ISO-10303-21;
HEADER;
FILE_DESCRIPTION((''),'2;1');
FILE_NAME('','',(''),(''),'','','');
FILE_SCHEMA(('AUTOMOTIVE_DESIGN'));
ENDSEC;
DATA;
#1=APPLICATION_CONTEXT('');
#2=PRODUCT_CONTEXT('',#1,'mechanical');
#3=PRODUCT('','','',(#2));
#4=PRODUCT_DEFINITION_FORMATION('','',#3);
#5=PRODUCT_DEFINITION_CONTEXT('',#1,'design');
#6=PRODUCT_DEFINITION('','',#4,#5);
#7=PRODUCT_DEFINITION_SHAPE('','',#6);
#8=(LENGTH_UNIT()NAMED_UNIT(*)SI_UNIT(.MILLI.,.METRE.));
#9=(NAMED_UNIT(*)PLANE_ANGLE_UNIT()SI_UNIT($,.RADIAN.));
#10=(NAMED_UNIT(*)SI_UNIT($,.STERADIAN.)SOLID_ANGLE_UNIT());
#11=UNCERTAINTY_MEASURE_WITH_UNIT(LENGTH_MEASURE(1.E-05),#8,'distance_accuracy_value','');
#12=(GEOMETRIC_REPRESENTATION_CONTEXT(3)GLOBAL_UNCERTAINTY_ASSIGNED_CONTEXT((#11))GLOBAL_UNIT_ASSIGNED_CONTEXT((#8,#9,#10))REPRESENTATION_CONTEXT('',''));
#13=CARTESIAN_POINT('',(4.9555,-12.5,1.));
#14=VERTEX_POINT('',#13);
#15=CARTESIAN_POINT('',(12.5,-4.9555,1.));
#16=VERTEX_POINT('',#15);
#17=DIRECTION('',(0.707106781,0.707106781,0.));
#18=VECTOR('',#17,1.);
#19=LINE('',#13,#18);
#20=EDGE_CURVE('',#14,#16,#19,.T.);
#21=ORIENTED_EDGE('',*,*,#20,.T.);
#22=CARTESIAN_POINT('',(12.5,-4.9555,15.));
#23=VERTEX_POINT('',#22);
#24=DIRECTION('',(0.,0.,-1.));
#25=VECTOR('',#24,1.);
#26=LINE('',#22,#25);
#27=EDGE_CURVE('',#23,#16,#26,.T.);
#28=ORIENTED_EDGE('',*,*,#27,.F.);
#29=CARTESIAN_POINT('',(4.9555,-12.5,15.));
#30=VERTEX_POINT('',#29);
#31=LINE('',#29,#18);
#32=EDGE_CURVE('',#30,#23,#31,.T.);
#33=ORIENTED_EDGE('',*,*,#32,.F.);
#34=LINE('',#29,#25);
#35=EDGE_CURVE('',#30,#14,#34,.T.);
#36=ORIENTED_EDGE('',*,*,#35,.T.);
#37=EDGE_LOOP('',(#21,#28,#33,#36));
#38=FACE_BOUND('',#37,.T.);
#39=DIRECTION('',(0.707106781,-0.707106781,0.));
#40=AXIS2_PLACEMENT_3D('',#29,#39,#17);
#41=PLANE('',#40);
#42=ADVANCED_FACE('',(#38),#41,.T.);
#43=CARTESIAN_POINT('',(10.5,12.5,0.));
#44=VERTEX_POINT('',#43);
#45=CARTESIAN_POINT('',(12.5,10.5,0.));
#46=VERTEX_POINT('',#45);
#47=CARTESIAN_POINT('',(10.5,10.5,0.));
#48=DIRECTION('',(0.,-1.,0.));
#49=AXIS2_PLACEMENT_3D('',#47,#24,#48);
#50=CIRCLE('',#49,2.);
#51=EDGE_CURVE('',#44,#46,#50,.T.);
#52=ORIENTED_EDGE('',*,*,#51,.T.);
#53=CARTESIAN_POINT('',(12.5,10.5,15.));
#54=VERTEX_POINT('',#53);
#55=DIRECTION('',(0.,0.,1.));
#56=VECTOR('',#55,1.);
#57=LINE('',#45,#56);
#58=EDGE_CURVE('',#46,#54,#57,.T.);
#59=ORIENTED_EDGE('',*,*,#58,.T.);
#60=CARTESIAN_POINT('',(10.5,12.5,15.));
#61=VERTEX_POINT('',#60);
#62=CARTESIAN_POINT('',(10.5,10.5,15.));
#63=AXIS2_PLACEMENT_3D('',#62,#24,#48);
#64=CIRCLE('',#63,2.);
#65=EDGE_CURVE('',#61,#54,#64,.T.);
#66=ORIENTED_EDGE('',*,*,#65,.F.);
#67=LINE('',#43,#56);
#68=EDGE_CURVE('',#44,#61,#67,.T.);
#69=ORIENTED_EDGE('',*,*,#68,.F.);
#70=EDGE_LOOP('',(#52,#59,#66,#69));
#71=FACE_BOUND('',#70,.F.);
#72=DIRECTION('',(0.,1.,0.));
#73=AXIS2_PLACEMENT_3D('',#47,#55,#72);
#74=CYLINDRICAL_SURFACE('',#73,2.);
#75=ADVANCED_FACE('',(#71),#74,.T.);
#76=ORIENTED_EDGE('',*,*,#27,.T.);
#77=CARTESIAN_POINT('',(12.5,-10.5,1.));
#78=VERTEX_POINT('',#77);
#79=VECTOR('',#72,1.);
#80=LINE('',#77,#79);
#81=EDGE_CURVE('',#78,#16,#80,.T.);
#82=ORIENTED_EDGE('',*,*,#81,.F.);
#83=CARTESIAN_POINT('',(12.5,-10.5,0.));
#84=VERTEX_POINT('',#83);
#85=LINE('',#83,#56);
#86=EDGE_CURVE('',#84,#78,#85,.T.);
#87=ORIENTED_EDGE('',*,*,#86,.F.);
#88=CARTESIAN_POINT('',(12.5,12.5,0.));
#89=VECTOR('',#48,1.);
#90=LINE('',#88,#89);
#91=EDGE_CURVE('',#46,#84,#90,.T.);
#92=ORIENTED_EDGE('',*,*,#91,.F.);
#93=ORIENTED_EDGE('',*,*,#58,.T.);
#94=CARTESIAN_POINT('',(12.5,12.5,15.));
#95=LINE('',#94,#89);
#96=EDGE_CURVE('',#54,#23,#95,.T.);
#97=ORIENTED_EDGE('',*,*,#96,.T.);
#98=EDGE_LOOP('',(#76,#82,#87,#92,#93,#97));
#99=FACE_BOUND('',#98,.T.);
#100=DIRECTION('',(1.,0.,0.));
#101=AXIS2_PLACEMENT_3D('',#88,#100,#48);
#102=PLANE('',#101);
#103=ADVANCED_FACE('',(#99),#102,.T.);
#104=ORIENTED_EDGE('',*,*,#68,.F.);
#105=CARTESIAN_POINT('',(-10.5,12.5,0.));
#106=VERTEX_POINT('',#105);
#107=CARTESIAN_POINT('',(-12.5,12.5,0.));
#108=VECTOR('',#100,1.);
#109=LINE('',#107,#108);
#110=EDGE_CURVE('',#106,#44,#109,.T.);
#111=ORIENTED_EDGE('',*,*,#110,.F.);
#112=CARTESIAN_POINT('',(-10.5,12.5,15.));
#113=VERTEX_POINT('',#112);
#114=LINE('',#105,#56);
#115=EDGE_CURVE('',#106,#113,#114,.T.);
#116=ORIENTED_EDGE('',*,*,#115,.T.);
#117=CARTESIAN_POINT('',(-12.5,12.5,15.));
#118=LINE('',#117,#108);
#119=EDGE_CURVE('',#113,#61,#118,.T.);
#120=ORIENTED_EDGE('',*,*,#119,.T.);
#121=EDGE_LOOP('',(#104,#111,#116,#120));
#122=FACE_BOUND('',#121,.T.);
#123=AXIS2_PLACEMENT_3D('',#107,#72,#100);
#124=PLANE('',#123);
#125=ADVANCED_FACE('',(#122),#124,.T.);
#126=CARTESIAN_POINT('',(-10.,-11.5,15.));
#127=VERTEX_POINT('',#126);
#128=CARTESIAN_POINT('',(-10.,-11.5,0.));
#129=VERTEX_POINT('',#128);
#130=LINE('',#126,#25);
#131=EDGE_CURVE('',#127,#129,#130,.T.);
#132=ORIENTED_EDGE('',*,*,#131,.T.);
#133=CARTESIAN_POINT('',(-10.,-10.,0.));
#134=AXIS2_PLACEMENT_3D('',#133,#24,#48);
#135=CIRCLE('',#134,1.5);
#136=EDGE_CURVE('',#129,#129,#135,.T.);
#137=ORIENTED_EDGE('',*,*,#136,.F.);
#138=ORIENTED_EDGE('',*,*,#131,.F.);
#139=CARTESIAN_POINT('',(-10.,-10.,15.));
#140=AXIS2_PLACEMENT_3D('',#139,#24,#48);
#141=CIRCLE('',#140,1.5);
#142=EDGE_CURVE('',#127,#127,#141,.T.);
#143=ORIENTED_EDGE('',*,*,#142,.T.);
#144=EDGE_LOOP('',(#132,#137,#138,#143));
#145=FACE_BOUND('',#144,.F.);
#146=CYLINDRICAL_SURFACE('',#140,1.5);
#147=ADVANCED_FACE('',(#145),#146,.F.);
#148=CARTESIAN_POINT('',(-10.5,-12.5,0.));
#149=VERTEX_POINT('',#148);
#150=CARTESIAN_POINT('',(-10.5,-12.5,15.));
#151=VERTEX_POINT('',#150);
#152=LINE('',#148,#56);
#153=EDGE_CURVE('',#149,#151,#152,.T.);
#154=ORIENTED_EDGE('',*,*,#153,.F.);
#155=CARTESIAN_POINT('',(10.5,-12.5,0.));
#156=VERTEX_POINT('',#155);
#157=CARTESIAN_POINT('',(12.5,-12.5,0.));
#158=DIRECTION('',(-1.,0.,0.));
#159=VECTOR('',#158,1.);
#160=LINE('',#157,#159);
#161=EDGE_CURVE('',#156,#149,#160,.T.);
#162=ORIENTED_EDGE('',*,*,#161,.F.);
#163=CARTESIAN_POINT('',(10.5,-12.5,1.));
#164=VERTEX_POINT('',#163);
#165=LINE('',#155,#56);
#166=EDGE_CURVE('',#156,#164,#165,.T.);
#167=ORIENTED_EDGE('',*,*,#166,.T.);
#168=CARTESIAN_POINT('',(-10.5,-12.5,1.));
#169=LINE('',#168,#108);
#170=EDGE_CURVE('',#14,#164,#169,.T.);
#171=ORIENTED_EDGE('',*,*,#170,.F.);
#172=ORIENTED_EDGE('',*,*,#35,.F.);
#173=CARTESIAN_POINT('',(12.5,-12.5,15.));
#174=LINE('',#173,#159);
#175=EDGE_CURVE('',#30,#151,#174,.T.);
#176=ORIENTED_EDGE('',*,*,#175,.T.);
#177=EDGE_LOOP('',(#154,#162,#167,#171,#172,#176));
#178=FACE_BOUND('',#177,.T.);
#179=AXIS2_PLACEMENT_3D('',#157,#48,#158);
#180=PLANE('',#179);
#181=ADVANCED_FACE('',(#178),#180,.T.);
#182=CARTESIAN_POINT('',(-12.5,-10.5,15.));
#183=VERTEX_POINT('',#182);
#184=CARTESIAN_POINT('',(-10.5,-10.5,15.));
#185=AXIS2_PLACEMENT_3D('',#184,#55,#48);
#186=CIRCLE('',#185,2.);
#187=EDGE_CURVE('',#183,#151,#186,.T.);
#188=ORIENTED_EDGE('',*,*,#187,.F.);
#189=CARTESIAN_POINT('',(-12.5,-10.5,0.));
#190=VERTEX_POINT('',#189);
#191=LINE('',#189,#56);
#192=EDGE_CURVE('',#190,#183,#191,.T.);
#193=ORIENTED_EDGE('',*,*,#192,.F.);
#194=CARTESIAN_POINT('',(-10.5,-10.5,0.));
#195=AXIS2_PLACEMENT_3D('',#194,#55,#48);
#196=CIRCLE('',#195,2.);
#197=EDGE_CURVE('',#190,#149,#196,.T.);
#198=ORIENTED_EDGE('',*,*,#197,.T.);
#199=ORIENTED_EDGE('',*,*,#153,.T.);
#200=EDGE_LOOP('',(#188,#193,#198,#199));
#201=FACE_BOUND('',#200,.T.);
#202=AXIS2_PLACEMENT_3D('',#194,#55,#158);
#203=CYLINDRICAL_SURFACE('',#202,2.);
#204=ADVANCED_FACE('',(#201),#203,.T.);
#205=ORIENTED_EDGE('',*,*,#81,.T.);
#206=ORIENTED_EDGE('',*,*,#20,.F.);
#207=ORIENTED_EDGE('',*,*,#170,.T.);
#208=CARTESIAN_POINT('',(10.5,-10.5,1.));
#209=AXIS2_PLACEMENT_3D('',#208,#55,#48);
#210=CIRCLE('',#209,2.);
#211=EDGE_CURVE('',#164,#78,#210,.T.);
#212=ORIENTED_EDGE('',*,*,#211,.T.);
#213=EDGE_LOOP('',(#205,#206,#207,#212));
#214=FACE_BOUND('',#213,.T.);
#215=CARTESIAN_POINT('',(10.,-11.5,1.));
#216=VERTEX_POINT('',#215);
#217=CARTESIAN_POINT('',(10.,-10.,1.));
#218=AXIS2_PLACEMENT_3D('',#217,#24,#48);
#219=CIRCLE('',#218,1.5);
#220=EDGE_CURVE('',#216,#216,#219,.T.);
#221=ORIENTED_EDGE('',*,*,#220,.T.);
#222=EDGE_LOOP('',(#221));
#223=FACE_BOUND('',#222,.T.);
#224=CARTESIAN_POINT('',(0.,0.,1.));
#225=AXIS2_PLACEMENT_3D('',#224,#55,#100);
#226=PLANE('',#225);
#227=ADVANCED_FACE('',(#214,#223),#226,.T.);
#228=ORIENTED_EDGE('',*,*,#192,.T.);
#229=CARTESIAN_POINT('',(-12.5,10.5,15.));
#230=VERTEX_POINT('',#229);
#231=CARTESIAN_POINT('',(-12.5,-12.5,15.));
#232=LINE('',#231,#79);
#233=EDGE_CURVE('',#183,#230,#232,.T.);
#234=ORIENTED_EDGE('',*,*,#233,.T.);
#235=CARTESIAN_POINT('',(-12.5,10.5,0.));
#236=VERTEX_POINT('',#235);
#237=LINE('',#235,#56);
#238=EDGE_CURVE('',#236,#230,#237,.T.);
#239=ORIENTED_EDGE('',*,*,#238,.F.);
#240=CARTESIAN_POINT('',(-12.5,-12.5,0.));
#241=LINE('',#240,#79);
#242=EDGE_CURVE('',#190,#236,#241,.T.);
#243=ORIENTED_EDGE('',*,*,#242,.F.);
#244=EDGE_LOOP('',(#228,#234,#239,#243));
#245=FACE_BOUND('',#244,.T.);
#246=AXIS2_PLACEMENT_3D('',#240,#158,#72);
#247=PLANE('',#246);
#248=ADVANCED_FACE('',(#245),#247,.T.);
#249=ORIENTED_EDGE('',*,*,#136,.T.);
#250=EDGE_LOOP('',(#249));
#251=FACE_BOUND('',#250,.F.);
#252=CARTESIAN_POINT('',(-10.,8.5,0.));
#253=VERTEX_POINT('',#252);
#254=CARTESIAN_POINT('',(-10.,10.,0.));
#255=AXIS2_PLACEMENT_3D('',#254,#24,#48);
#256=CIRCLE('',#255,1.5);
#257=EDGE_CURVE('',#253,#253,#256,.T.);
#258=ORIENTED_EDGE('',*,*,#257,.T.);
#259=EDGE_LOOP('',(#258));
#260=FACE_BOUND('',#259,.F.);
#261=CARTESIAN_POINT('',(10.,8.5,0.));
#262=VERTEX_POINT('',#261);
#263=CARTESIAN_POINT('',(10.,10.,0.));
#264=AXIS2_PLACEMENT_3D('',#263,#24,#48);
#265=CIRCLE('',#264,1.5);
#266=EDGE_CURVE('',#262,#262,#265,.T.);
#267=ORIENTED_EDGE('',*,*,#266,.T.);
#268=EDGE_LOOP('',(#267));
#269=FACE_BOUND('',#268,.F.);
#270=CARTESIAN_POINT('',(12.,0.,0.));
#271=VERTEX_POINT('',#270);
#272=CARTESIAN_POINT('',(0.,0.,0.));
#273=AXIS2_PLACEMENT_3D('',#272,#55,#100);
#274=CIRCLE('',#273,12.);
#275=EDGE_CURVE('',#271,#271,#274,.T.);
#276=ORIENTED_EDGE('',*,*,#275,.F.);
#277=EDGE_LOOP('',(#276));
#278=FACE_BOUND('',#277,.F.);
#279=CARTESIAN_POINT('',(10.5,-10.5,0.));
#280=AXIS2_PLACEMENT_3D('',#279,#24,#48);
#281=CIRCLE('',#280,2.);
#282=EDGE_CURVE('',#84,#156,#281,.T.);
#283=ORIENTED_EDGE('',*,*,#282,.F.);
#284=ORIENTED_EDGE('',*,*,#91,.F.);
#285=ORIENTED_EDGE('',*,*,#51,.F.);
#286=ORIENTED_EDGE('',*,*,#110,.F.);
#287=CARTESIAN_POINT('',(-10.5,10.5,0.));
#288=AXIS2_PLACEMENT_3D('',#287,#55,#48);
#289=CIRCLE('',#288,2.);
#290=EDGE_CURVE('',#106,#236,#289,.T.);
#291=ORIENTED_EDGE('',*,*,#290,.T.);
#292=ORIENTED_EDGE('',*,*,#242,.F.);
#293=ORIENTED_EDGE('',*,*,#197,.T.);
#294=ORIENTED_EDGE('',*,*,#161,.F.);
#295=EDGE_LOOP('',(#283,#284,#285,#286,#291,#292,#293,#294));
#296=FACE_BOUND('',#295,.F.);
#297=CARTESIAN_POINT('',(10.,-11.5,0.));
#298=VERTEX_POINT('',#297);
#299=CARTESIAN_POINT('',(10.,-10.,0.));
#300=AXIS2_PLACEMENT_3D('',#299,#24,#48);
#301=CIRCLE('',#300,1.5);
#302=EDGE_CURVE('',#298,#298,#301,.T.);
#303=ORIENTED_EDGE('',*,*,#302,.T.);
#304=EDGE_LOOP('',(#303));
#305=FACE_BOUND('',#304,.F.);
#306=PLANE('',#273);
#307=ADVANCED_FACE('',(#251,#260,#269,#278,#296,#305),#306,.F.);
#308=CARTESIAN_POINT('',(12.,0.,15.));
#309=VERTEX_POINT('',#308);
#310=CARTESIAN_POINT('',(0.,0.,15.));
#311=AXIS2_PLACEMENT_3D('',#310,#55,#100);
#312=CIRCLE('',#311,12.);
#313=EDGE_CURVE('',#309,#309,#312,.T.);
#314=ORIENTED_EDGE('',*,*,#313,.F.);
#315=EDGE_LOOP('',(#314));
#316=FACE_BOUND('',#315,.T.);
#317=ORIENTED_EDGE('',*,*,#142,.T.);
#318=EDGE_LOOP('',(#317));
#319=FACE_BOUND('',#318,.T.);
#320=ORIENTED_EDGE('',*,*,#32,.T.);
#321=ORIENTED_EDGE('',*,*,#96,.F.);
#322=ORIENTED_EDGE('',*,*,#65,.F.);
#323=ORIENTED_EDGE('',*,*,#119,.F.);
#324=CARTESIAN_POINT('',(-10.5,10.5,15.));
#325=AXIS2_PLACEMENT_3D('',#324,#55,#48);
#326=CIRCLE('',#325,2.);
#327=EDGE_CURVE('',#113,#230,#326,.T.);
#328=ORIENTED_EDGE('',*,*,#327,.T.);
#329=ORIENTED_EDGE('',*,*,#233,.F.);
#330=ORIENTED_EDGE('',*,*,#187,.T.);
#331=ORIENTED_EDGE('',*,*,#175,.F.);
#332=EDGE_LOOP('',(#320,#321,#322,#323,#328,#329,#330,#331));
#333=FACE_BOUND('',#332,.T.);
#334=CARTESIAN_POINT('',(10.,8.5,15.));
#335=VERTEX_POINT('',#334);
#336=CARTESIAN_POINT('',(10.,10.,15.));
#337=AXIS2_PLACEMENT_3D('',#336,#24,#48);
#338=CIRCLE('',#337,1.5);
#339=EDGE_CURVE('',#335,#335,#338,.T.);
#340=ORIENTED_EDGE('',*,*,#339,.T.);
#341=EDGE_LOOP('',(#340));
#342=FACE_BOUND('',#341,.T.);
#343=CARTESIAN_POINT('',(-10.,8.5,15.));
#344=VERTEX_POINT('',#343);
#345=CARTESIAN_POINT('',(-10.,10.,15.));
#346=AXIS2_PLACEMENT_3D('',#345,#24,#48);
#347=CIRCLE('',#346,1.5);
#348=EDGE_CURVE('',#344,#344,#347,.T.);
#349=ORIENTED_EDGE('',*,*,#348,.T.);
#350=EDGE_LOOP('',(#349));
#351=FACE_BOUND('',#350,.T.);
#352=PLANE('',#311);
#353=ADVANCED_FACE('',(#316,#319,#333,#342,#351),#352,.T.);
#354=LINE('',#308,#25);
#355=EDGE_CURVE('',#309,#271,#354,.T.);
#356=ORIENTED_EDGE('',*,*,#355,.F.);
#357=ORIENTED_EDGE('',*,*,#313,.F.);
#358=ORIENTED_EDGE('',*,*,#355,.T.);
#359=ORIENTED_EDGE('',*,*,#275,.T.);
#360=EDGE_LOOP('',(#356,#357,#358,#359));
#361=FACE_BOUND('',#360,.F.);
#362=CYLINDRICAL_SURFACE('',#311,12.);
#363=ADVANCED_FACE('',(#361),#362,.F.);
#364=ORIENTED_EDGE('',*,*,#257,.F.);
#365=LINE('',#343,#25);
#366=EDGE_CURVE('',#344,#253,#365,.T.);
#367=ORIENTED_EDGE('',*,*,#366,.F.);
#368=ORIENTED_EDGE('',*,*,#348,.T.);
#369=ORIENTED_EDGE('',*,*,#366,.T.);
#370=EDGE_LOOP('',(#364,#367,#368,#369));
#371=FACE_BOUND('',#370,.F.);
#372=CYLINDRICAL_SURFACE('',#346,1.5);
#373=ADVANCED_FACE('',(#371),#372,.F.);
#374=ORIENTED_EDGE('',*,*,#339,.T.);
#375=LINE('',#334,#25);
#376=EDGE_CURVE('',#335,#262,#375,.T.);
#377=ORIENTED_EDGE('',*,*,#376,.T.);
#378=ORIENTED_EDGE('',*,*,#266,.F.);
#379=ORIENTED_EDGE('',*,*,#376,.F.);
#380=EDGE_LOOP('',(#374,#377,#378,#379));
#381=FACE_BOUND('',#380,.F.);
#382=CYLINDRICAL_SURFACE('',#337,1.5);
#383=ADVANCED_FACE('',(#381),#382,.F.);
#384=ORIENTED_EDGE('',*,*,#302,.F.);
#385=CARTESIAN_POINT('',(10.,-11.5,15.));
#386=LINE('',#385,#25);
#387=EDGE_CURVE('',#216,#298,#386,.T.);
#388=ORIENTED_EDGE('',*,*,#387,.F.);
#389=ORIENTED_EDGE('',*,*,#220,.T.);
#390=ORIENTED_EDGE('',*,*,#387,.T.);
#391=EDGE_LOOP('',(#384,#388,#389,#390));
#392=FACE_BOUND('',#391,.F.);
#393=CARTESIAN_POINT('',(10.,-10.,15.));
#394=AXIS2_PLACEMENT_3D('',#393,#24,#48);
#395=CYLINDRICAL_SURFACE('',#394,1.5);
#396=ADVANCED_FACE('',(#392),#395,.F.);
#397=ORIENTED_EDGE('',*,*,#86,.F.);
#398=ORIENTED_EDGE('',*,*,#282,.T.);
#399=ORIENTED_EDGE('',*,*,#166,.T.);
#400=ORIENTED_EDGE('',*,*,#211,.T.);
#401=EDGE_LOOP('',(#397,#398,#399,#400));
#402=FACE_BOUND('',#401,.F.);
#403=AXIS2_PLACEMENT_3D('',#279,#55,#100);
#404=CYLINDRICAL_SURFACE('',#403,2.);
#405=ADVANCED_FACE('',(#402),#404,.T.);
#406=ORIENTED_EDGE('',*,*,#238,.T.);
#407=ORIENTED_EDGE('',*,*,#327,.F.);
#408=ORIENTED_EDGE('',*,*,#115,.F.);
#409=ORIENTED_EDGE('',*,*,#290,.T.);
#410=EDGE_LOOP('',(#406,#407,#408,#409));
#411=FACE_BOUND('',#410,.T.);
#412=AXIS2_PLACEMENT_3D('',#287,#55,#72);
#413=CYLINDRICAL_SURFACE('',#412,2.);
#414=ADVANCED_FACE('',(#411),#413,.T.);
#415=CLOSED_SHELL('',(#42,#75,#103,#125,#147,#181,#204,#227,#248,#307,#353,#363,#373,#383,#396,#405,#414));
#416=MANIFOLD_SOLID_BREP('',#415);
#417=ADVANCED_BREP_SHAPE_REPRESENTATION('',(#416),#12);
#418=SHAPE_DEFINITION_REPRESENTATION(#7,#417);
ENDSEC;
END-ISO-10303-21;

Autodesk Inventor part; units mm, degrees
ref_plane "YZ Plane" through (0, 0, 0) normal (1, 0, 0) x (0, 1, 0)
ref_plane "XZ Plane" through (0, 0, 0) normal (0, 1, 0) x (-1, 0, 0)
ref_plane "XY Plane" through (0, 0, 0) normal (0, 0, 1) x (1, 0, 0)
sketch "Sketch1" plane through (0, 0, 0) normal (0, 0, 1) x (1, 0, 0)
  line L0 (-12.5, 12.5) -> (12.5, 12.5)
  line L1 (12.5, 12.5) -> (12.5, -12.5)
  line L2 (12.5, -12.5) -> (-12.5, -12.5)
  line L3 (-12.5, -12.5) -> (-12.5, 12.5)
  line L4 (-12.5, 12.5) -> (12.5, -12.5) construction
  line L5 (12.5, 12.5) -> (-12.5, -12.5) construction
  point P0 (0, 0)
  dimension "d0" = 25
  dimension "d1" = 25
extrude "Extrusion1" add sketch "Sketch1" along normal blind 15
sketch "Sketch2" plane through (0, 0, 15) normal (0, 0, 1) x (1, 0, 0)
  line L0 (-10, -10) -> (10, -10)
  line L1 (10, -10) -> (10, 10)
  line L2 (10, 10) -> (-10, 10)
  line L3 (-10, 10) -> (-10, -10)
  line L4 (-10, -10) -> (10, 10) construction
  line L5 (10, -10) -> (-10, 10) construction
  point P0 (0, 0)
  dimension "d4" = 20
  dimension "d5" = 20
hole "Hole1" at (-10, 10, 15) at (10, 10, 15) at (10, -10, 15) at (-10, -10, 15) direction (0, 0, -1) diameter 3 end through all
fillet "Fillet1" radius 2 4 edges at (-12.5, 12.5, 7.5) (-12.5, -12.5, 7.5) (12.5, -12.5, 7.5) (12.5, 12.5, 7.5)
sketch "Sketch3" plane through (0, 0, 15) normal (0, 0, 1) x (1, 0, 0)
  circle A0 centre (0, 0) radius 12
  dimension "d14" = 24
extrude "Extrusion2" cut sketch "Sketch3" against normal through all
sketch "Sketch4" plane through (0, 0, 15) normal (0, 0, 1) x (1, 0, 0)
  line L0 (-10.5, -12.5) -> (10.5, -12.5) projected
  line L1 (4.9555, -12.5) -> (12.5, -4.9555)
  line L2 (12.5, -10.5) -> (12.5, 10.5) projected
  arc A0 (10.5, -12.5) -> (12.5, -10.5) centre (10.5, -10.5) ccw projected
  point P0 (0, 0)
  dimension "d17" = 45
extrude "Extrusion3" cut sketch "Sketch4" against normal blind 14
properties part number "MF25150V1-1000U-A99" material "ABS Plastic"
